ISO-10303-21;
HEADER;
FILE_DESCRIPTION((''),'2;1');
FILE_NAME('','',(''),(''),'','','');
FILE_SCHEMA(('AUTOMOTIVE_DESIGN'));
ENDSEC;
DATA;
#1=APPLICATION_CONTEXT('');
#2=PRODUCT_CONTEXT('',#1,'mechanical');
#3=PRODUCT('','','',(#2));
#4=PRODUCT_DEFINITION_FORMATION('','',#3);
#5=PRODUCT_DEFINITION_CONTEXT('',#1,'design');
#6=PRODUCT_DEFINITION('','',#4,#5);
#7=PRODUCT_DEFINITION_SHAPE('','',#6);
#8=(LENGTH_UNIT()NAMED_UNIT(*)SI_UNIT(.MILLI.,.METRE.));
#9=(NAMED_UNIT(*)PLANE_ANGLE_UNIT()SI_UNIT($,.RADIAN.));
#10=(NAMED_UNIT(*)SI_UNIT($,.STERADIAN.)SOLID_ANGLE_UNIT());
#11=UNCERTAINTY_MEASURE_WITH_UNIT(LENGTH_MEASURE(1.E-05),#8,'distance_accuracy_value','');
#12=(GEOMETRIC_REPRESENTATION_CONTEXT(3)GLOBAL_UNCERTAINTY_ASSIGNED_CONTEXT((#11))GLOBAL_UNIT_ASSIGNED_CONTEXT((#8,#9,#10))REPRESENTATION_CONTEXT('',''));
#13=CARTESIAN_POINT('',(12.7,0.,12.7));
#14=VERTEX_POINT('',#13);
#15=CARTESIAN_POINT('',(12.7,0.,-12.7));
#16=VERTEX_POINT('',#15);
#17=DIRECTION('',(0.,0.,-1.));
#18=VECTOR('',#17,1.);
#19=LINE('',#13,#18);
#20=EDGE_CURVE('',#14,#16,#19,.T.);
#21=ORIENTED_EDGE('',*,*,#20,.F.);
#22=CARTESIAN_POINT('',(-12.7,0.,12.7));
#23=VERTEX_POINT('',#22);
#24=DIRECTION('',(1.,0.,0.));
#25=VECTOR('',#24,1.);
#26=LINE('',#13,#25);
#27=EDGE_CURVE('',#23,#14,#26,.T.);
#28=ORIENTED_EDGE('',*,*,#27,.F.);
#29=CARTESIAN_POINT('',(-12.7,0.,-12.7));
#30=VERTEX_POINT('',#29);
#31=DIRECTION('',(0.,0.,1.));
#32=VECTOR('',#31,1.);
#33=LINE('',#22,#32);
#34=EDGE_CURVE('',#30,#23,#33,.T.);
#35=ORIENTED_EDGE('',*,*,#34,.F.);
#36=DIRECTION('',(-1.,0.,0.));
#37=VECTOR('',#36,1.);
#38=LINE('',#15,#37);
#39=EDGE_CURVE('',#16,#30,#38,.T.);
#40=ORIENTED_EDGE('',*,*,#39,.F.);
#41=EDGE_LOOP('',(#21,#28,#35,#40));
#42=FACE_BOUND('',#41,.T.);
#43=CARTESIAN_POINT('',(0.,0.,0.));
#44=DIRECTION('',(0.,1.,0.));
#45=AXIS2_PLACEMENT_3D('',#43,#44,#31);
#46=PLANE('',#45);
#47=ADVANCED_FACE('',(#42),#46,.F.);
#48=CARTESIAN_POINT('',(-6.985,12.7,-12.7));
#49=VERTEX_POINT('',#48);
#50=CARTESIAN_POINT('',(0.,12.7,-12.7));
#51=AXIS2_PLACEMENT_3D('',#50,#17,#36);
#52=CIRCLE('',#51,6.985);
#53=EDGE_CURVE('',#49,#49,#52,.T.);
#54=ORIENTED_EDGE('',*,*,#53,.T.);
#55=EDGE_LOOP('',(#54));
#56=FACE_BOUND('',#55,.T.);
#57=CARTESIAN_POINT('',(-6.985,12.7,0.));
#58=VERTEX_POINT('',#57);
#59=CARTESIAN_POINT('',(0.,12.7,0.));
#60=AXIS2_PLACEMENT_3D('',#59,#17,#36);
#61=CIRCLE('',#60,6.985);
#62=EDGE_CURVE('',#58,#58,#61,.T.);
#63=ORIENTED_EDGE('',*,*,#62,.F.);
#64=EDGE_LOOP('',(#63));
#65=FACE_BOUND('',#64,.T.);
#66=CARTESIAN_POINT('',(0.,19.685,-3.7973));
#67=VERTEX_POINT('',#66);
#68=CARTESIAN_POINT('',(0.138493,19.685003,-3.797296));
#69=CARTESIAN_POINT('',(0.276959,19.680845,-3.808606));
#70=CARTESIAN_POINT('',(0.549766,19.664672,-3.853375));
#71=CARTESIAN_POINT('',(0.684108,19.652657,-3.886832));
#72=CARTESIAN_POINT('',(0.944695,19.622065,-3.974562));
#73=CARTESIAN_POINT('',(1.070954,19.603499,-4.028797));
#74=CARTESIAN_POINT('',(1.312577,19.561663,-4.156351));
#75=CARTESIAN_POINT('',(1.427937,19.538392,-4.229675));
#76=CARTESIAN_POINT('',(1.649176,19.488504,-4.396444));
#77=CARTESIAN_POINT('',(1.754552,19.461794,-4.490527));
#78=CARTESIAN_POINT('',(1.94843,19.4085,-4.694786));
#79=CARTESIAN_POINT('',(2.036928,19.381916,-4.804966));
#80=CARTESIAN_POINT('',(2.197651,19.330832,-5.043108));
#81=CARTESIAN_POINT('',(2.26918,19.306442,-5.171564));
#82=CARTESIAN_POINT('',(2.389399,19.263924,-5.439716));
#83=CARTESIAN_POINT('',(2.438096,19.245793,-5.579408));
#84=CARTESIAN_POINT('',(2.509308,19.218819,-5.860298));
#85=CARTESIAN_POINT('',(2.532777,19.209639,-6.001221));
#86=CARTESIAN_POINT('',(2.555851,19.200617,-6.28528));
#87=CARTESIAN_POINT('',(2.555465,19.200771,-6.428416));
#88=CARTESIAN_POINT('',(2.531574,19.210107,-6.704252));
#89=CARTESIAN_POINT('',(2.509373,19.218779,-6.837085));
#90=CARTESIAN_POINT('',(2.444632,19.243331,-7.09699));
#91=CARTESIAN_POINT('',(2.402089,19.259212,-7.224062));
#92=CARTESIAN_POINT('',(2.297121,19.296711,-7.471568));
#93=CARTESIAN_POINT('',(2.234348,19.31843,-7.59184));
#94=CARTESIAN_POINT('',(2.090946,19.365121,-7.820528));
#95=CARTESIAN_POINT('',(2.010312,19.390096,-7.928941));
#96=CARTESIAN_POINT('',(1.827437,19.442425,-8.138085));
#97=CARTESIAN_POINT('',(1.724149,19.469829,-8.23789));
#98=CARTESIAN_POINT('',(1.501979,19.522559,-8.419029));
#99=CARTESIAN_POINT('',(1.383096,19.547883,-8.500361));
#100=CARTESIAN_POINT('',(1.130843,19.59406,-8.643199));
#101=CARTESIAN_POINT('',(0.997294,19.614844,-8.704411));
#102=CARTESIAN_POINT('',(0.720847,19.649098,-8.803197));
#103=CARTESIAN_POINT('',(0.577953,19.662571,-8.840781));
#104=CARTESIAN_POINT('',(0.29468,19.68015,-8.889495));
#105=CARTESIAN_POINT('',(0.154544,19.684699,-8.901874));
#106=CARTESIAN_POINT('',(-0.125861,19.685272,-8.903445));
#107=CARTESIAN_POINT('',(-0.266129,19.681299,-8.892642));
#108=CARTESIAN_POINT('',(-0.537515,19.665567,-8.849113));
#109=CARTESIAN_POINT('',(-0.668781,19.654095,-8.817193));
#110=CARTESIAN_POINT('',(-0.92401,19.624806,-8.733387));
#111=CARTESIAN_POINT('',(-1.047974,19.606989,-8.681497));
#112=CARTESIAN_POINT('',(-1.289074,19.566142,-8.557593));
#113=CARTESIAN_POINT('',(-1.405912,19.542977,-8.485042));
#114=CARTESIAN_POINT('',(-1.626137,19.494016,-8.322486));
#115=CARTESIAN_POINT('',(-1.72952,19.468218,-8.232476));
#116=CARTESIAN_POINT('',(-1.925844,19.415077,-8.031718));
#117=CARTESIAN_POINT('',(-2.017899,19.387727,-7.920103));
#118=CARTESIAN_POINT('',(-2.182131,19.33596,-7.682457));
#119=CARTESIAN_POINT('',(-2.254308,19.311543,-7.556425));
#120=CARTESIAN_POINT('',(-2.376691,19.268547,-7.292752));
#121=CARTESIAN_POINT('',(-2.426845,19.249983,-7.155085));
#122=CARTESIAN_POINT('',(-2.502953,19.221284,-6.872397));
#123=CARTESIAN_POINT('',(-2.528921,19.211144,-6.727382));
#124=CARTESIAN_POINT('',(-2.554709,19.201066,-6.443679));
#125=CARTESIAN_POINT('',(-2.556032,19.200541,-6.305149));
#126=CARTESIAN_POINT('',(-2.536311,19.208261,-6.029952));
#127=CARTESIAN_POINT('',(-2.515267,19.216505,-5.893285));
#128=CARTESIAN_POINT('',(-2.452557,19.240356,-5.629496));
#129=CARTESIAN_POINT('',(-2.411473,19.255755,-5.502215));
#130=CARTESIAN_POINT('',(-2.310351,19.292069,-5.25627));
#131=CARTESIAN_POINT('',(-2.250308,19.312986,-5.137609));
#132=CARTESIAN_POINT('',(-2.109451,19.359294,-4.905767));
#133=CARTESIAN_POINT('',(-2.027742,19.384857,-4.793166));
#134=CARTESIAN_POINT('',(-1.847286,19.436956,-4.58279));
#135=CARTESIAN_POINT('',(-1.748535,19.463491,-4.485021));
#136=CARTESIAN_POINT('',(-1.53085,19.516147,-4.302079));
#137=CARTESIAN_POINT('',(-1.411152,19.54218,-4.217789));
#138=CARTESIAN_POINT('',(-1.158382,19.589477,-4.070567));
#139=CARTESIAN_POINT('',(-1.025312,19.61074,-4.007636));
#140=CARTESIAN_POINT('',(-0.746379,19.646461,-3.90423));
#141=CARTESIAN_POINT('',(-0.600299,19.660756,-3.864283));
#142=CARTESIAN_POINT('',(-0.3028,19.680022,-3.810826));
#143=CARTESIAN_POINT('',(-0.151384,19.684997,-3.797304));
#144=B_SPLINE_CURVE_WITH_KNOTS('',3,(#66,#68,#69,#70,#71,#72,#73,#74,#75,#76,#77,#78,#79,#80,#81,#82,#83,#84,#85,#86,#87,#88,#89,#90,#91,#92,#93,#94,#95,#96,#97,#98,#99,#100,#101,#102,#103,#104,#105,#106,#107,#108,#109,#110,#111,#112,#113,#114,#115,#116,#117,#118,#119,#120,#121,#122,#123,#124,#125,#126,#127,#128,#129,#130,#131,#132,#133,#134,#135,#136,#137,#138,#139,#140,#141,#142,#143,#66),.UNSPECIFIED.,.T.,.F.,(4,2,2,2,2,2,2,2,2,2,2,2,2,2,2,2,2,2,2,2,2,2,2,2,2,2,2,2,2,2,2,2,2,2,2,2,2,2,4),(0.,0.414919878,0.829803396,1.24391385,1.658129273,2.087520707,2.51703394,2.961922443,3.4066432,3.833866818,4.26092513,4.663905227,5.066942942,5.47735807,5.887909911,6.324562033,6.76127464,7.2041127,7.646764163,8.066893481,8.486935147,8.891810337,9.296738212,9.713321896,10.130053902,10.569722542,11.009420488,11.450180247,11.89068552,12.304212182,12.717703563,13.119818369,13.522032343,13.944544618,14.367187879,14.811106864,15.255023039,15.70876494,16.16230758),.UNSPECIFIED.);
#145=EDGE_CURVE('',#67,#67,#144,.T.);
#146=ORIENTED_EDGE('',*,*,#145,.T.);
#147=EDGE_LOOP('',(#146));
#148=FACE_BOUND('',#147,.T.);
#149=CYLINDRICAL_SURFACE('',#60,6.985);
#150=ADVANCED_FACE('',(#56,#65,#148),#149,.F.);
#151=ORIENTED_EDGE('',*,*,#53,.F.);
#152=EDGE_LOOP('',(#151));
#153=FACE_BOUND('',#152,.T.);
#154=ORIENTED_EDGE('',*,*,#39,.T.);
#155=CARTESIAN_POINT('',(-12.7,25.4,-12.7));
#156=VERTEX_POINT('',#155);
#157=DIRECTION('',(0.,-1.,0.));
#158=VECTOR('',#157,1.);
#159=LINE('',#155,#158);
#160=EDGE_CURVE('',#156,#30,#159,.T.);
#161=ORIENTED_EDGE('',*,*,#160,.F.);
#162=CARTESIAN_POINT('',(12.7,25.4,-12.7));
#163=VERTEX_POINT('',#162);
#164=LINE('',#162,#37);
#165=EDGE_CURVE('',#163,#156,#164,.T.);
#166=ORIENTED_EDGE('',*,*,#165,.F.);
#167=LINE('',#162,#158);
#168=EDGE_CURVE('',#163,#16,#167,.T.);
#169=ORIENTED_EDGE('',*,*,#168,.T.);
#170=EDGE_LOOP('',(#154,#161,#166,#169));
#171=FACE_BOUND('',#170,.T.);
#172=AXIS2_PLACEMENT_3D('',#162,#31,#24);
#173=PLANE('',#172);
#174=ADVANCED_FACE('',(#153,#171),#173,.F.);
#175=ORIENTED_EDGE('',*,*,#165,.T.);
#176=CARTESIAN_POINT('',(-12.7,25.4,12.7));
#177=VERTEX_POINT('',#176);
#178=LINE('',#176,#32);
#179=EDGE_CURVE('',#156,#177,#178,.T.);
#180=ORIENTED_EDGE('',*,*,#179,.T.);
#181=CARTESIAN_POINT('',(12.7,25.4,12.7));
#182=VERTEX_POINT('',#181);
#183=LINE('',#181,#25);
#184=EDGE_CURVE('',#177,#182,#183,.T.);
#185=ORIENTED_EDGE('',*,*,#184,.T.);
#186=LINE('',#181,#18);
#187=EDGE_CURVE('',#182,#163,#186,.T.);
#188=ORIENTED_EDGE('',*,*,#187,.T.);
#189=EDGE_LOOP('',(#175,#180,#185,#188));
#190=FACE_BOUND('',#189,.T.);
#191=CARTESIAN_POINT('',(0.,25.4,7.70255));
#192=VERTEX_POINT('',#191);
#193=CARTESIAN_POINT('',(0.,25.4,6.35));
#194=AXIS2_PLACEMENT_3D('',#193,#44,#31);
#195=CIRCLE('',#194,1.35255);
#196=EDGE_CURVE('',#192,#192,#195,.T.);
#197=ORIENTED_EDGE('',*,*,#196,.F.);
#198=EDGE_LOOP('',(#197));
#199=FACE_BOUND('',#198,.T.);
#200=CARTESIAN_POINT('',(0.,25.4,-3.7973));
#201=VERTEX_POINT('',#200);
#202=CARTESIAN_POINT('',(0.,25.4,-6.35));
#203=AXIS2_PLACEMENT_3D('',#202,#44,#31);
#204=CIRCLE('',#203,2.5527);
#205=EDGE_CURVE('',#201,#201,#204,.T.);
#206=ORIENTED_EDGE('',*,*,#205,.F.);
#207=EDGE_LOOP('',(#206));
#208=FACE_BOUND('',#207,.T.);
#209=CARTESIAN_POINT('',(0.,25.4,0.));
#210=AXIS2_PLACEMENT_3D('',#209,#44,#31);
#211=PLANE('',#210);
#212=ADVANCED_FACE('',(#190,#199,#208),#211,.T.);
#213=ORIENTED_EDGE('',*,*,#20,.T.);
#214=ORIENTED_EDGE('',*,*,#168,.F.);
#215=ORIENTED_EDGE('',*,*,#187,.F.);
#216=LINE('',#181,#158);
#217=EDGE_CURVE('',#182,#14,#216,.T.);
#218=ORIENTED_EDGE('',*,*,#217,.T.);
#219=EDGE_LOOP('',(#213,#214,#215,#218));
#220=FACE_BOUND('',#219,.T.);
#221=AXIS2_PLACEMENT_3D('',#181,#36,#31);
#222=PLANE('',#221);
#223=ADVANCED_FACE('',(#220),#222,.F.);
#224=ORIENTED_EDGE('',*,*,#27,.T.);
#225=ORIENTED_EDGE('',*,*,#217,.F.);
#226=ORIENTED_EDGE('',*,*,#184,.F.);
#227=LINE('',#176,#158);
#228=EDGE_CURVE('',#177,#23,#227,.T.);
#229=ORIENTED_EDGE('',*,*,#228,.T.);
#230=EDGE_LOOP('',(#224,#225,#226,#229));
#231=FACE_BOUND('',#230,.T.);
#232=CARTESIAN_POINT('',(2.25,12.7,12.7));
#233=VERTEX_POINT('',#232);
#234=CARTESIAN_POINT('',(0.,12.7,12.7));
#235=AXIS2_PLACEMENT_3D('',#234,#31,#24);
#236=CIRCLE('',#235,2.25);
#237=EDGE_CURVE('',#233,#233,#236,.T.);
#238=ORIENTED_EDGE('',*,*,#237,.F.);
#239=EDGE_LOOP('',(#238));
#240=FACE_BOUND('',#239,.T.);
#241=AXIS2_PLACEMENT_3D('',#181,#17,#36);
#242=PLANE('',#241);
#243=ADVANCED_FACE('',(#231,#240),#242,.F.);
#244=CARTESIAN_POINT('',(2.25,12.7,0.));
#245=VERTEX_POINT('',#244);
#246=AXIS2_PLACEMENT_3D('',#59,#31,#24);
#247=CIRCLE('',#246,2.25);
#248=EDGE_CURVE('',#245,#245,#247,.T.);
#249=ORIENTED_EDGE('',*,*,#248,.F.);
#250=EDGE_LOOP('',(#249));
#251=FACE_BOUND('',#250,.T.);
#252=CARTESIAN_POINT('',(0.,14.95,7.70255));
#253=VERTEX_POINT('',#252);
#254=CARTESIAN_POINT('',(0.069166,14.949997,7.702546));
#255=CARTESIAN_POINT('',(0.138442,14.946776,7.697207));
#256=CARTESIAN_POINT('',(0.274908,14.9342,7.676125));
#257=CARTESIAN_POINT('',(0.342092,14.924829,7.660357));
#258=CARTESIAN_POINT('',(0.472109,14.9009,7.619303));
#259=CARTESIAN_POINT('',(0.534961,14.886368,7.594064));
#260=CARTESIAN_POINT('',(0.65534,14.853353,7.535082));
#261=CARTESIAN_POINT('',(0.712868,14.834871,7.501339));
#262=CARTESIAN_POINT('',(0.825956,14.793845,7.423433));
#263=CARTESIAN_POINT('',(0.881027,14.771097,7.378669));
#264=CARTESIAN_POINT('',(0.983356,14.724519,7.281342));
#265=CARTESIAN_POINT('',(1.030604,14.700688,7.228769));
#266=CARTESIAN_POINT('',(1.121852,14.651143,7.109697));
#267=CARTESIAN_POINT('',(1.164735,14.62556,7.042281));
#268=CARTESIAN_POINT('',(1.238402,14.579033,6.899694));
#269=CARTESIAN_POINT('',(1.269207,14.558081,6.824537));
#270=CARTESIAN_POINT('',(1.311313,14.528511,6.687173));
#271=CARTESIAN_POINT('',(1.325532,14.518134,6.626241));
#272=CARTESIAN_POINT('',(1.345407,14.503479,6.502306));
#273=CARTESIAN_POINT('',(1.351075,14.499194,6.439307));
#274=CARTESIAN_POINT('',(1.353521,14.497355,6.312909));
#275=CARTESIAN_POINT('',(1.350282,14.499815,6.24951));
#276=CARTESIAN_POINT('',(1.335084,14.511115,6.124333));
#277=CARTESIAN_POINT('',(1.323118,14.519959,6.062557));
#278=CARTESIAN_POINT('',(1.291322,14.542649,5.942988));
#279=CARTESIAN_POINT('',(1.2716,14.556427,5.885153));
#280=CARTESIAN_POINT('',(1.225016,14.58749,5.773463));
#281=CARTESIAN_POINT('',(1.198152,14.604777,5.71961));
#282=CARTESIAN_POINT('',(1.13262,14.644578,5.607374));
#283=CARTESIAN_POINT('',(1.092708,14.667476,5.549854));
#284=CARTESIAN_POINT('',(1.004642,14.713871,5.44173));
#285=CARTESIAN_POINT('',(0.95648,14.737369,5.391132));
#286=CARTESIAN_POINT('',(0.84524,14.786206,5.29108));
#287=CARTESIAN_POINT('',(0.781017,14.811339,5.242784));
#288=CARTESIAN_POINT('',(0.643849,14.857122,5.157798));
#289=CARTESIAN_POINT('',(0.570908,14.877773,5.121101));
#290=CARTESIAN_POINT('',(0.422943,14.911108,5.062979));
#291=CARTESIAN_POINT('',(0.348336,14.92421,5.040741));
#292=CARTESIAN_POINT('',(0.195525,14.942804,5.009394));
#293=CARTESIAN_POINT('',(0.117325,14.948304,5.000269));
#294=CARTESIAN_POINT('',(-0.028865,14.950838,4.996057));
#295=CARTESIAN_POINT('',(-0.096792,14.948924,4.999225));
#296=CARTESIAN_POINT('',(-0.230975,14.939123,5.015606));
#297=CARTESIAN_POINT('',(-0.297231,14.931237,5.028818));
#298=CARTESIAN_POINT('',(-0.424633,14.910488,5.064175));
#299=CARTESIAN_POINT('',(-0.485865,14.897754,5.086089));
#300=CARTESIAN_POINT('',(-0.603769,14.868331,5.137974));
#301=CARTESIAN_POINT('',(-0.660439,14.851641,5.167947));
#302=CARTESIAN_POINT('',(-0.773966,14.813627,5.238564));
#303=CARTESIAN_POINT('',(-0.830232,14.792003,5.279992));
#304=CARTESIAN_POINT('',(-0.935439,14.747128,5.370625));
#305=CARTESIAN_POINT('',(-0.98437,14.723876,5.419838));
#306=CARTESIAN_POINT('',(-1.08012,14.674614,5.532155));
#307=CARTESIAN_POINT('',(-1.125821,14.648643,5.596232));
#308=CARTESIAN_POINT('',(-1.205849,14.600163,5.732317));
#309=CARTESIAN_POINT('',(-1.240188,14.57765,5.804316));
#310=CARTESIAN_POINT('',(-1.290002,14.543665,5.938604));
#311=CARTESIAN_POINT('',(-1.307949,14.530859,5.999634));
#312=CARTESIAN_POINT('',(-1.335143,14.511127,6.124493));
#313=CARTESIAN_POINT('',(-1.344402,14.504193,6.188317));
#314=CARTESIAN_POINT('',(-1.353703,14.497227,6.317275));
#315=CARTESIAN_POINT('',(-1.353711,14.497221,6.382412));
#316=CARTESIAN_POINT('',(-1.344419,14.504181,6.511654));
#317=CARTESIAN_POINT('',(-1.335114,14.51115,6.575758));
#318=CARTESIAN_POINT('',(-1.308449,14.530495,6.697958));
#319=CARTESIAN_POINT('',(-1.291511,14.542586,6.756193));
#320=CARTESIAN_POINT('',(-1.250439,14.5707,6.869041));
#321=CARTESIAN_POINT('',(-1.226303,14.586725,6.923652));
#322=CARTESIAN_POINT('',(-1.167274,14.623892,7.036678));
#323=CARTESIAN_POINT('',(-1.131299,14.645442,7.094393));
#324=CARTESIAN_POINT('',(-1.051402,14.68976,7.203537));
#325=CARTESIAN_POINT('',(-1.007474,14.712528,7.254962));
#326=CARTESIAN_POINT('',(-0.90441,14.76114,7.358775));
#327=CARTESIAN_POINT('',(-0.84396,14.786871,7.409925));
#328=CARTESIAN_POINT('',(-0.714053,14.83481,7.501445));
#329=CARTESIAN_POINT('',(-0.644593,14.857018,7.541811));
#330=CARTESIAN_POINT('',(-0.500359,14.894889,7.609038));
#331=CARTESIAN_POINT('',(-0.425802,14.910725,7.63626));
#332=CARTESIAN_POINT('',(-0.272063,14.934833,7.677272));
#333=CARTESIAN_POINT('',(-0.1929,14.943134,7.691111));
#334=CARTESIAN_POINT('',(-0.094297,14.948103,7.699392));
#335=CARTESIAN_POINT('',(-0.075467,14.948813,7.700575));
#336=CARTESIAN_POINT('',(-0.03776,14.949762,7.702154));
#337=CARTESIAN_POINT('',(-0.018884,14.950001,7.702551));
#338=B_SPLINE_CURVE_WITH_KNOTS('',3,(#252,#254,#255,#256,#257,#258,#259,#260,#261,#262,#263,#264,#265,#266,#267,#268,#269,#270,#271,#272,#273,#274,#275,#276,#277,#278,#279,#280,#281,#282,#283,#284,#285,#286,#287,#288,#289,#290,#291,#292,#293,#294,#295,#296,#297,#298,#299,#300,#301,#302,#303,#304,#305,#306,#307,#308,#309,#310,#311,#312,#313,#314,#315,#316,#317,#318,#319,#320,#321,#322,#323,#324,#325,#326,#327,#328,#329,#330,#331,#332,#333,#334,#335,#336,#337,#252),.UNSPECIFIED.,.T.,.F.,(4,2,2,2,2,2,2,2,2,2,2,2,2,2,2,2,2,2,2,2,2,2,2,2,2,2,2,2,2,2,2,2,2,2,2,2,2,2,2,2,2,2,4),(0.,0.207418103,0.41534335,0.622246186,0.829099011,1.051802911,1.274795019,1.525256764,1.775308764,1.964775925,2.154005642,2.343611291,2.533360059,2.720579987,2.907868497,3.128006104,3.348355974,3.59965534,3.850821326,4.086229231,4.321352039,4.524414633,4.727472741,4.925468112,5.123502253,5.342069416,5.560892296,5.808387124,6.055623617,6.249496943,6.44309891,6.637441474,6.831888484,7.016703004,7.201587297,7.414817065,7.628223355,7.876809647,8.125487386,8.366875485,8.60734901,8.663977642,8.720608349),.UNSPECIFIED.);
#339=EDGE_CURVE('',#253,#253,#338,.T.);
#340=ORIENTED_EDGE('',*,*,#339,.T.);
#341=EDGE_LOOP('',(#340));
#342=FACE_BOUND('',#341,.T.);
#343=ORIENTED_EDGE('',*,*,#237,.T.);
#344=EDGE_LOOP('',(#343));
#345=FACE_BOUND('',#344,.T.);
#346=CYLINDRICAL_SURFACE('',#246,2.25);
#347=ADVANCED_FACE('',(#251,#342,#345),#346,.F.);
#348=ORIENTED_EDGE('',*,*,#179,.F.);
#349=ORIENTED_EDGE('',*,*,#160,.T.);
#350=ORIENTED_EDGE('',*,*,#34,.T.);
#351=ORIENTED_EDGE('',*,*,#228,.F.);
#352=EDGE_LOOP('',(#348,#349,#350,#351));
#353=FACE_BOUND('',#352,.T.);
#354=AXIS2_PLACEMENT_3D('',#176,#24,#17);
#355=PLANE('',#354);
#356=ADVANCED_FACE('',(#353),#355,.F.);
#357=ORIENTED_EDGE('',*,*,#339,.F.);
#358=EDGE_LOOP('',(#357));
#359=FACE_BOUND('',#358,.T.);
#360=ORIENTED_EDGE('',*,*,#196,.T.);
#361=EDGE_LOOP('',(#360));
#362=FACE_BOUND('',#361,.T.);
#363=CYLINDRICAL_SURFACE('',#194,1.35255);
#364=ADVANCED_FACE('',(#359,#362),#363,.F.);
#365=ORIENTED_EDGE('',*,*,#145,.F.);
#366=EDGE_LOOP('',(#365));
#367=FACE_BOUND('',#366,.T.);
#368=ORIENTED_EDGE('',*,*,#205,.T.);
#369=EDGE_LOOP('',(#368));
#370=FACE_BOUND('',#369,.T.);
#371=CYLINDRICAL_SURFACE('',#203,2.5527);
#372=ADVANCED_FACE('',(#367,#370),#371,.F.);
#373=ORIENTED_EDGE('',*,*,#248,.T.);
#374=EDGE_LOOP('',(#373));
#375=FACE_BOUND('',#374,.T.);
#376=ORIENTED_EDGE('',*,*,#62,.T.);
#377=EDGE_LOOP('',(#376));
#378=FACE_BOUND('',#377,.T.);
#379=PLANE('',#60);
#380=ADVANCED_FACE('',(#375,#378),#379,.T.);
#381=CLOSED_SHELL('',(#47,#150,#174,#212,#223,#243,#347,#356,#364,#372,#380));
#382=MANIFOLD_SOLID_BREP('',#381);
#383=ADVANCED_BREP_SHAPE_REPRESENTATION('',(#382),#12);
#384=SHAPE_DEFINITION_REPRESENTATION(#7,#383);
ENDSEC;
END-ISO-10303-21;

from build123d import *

# Parameters (mm, degrees)
SKETCH1_W                    = 25.4
SKETCH1_H                    = 25.4
BOSS_EXTRUDE1_DEPTH          = 25.4
SKETCH2_R                    = 2.25
CUT_EXTRUDE1_DEPTH           = 12.7
SKETCH3_R                    = 6.985
CUT_EXTRUDE2_DEPTH           = 12.7
F_6_32_TAPPED_HOLE1_REACH    = 33.109
F_6_32_TAPPED_HOLE1_BORE_R   = 1.35255
F_1_4_20_TAPPED_HOLE2_REACH  = 33.109
F_1_4_20_TAPPED_HOLE2_BORE_R = 2.5527


with BuildPart() as part:
    # Sketch1 → Boss-Extrude1 (new body)
    with BuildSketch(Plane(origin=(0, 0, 0), x_dir=(1, 0, 0), z_dir=(0, 1, 0))):
        Rectangle(SKETCH1_W, SKETCH1_H)
    extrude(amount=BOSS_EXTRUDE1_DEPTH)

    # Sketch2 → Cut-Extrude1 (cut)
    with BuildSketch(Plane.XY.offset(12.7)):
        with Locations((0, 12.7)):
            Circle(SKETCH2_R)
    extrude(amount=-CUT_EXTRUDE1_DEPTH, mode=Mode.SUBTRACT)

    # Sketch3 → Cut-Extrude2 (cut)
    with BuildSketch(Plane(origin=(0, 0, -12.7), x_dir=(-1, 0, 0), z_dir=(0, 0, -1))):
        with Locations((0, 12.7)):
            Circle(SKETCH3_R)
    extrude(amount=-CUT_EXTRUDE2_DEPTH, mode=Mode.SUBTRACT)

    # #6-32 Tapped Hole1 bore → #6-32 Tapped Hole1 (cut, up to next)
    with BuildSketch(Plane(origin=(0, 25.4, 0), x_dir=(1, 0, 0), z_dir=(0, 1, 0)), mode=Mode.PRIVATE) as f_6_32_tapped_hole1_sk1:
        with Locations((0, -6.35)):
            Circle(F_6_32_TAPPED_HOLE1_BORE_R)
    f_6_32_tapped_hole1_tool1 = extrude(f_6_32_tapped_hole1_sk1.sketch, amount=-F_6_32_TAPPED_HOLE1_REACH, mode=Mode.PRIVATE) & part.part
    add(f_6_32_tapped_hole1_tool1.solids().sort_by_distance((0, 25.4, 6.35))[0], mode=Mode.SUBTRACT)

    # 1/4-20 Tapped Hole2 bore → 1/4-20 Tapped Hole2 (cut, up to next)
    with BuildSketch(Plane(origin=(0, 25.4, 0), x_dir=(1, 0, 0), z_dir=(0, 1, 0)), mode=Mode.PRIVATE) as f_1_4_20_tapped_hole2_sk1:
        with Locations((0, 6.35)):
            Circle(F_1_4_20_TAPPED_HOLE2_BORE_R)
    f_1_4_20_tapped_hole2_tool1 = extrude(f_1_4_20_tapped_hole2_sk1.sketch, amount=-F_1_4_20_TAPPED_HOLE2_REACH, mode=Mode.PRIVATE) & part.part
    add(f_1_4_20_tapped_hole2_tool1.solids().sort_by_distance((0, 25.4, -6.35))[0], mode=Mode.SUBTRACT)


solid = part.part
